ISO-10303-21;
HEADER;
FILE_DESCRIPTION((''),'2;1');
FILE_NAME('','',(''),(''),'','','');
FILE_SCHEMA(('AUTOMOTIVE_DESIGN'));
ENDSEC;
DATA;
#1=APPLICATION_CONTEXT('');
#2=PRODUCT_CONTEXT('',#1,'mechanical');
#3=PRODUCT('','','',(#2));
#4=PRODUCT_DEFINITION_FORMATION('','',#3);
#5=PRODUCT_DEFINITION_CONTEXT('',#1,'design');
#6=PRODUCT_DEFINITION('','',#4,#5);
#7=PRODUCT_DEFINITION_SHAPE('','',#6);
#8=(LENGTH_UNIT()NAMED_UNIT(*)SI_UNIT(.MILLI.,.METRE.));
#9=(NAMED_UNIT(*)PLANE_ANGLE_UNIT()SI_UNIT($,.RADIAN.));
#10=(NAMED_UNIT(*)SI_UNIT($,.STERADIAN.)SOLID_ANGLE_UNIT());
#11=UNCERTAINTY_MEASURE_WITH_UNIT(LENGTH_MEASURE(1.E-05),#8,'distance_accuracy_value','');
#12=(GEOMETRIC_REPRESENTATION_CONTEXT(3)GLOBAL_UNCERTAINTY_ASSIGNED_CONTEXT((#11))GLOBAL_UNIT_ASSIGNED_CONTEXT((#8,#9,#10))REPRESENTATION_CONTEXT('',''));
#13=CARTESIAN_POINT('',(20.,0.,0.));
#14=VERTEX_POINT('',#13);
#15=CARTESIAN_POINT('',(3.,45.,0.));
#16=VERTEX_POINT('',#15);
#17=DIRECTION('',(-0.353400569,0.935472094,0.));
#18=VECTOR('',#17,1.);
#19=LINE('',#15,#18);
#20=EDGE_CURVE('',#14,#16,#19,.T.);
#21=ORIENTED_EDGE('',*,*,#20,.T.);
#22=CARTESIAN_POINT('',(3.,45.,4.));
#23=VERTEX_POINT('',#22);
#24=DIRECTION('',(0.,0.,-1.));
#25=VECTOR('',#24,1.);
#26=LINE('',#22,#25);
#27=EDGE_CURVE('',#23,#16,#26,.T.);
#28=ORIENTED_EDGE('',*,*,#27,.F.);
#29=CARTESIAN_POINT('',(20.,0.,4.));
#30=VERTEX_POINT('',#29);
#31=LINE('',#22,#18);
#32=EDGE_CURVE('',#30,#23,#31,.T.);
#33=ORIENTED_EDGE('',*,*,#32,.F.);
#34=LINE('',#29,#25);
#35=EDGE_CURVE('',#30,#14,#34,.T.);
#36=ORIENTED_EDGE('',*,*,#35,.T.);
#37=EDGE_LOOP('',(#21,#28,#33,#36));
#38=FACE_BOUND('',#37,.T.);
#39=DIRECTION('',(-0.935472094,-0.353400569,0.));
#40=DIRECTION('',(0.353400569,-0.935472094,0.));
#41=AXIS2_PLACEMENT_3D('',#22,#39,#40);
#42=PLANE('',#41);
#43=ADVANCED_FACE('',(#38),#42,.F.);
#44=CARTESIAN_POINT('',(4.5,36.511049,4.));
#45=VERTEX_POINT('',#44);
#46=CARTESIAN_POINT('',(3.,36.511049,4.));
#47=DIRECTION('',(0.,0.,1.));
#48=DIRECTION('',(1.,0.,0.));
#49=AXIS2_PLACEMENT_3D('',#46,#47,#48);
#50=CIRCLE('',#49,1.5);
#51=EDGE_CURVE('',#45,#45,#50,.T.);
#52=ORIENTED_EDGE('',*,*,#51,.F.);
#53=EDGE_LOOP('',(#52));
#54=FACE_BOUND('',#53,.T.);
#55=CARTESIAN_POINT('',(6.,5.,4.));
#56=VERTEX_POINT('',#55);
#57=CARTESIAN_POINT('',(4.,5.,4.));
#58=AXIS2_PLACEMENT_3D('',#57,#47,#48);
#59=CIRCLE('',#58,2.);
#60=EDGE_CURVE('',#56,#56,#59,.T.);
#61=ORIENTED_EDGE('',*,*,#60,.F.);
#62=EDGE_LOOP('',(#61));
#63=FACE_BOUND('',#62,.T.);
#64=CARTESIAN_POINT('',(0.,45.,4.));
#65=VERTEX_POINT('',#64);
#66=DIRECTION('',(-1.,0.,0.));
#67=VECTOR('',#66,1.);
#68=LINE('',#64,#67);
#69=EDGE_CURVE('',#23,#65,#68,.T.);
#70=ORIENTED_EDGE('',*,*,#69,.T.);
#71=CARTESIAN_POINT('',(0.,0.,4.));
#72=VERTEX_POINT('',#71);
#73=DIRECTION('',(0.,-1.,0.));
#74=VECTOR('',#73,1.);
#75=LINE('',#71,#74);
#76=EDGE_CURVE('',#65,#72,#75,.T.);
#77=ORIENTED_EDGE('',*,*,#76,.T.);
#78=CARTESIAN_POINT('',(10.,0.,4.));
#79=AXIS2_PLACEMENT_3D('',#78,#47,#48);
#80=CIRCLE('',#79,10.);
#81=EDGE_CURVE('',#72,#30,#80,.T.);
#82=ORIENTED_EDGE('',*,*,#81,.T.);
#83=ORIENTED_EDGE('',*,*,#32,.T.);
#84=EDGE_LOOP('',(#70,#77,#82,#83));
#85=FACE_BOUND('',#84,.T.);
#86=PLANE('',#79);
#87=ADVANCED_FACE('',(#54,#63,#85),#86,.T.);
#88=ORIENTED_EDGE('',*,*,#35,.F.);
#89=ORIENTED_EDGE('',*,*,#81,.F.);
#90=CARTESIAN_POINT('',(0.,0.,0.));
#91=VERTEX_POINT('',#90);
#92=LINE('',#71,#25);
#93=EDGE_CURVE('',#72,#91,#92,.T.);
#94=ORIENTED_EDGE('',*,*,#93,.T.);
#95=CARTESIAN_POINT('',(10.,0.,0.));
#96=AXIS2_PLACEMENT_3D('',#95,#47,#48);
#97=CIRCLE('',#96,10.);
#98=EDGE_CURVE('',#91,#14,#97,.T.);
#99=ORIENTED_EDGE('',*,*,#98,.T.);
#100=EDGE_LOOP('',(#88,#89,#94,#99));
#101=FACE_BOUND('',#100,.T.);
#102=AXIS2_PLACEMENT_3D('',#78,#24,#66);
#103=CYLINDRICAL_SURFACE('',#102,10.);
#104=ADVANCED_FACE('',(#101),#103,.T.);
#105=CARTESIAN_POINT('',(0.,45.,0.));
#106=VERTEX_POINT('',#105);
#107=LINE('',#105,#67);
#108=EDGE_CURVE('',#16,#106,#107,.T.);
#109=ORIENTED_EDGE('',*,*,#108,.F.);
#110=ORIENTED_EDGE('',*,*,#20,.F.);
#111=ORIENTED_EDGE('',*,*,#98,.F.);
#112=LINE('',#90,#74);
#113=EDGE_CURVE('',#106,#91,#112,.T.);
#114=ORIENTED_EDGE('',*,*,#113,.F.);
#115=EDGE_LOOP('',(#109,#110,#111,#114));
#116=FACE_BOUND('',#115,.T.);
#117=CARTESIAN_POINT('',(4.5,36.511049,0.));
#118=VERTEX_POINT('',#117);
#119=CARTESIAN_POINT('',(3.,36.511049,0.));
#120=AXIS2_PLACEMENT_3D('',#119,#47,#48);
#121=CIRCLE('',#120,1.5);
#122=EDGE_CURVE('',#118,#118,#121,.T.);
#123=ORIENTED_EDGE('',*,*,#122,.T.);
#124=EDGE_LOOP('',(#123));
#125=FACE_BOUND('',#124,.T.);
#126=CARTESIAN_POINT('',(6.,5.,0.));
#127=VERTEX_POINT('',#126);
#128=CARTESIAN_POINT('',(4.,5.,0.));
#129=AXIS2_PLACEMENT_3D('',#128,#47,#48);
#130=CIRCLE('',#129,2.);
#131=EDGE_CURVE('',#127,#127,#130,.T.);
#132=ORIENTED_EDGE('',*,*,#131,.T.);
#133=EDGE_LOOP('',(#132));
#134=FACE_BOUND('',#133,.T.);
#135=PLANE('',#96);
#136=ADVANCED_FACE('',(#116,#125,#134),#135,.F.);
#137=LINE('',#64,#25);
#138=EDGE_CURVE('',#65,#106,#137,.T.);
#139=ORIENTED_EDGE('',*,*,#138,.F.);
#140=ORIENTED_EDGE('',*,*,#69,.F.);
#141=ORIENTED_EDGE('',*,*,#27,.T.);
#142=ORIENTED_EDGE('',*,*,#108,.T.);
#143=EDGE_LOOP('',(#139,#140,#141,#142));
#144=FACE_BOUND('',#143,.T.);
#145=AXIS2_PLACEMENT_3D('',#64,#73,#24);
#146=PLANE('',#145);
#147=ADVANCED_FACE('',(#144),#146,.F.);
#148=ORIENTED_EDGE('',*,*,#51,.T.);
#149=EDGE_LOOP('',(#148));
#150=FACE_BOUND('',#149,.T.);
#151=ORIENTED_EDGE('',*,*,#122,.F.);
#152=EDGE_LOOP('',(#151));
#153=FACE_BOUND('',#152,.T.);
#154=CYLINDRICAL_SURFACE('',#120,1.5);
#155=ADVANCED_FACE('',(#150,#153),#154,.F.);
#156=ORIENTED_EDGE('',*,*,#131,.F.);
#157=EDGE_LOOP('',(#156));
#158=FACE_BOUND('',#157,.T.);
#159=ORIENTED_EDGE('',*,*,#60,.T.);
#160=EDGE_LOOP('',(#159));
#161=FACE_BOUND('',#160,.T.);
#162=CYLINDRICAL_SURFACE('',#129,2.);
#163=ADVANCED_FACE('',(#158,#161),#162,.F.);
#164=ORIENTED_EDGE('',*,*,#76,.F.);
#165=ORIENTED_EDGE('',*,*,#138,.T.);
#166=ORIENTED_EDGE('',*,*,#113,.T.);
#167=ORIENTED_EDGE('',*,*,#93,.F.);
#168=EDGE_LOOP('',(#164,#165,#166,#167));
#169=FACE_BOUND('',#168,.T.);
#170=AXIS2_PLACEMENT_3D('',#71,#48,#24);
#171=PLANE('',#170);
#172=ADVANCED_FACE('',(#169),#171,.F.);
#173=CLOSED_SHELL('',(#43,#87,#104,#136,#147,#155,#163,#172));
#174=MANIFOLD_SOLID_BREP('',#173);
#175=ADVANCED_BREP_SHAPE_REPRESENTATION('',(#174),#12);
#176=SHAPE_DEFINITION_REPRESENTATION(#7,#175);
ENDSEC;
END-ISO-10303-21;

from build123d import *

# Parameters (mm, degrees)
BOSS_EXTRUDE1_DEPTH = 4
SKETCH2_R           = 2
SKETCH2_R_2         = 1.5
CUT_EXTRUDE1_DEPTH  = 4


with BuildPart() as part:
    # Sketch1 → Boss-Extrude1 (new body)
    with BuildSketch(Plane.XY):
        with BuildLine():
            Line((0, 0), (0, 45))
            Line((0, 45), (3, 45))
            Line((3, 45), (20, 0))
            ThreePointArc((20, 0), (10, -10), (0, 0))
        make_face()
    extrude(amount=BOSS_EXTRUDE1_DEPTH)

    # Sketch2 → Cut-Extrude1 (cut)
    with BuildSketch(Plane.XY.offset(4)):
        with Locations((4, 5)):
            Circle(SKETCH2_R)
        with Locations((3, 36.511049315)):
            Circle(SKETCH2_R_2)
    extrude(amount=-CUT_EXTRUDE1_DEPTH, mode=Mode.SUBTRACT)


solid = part.part
